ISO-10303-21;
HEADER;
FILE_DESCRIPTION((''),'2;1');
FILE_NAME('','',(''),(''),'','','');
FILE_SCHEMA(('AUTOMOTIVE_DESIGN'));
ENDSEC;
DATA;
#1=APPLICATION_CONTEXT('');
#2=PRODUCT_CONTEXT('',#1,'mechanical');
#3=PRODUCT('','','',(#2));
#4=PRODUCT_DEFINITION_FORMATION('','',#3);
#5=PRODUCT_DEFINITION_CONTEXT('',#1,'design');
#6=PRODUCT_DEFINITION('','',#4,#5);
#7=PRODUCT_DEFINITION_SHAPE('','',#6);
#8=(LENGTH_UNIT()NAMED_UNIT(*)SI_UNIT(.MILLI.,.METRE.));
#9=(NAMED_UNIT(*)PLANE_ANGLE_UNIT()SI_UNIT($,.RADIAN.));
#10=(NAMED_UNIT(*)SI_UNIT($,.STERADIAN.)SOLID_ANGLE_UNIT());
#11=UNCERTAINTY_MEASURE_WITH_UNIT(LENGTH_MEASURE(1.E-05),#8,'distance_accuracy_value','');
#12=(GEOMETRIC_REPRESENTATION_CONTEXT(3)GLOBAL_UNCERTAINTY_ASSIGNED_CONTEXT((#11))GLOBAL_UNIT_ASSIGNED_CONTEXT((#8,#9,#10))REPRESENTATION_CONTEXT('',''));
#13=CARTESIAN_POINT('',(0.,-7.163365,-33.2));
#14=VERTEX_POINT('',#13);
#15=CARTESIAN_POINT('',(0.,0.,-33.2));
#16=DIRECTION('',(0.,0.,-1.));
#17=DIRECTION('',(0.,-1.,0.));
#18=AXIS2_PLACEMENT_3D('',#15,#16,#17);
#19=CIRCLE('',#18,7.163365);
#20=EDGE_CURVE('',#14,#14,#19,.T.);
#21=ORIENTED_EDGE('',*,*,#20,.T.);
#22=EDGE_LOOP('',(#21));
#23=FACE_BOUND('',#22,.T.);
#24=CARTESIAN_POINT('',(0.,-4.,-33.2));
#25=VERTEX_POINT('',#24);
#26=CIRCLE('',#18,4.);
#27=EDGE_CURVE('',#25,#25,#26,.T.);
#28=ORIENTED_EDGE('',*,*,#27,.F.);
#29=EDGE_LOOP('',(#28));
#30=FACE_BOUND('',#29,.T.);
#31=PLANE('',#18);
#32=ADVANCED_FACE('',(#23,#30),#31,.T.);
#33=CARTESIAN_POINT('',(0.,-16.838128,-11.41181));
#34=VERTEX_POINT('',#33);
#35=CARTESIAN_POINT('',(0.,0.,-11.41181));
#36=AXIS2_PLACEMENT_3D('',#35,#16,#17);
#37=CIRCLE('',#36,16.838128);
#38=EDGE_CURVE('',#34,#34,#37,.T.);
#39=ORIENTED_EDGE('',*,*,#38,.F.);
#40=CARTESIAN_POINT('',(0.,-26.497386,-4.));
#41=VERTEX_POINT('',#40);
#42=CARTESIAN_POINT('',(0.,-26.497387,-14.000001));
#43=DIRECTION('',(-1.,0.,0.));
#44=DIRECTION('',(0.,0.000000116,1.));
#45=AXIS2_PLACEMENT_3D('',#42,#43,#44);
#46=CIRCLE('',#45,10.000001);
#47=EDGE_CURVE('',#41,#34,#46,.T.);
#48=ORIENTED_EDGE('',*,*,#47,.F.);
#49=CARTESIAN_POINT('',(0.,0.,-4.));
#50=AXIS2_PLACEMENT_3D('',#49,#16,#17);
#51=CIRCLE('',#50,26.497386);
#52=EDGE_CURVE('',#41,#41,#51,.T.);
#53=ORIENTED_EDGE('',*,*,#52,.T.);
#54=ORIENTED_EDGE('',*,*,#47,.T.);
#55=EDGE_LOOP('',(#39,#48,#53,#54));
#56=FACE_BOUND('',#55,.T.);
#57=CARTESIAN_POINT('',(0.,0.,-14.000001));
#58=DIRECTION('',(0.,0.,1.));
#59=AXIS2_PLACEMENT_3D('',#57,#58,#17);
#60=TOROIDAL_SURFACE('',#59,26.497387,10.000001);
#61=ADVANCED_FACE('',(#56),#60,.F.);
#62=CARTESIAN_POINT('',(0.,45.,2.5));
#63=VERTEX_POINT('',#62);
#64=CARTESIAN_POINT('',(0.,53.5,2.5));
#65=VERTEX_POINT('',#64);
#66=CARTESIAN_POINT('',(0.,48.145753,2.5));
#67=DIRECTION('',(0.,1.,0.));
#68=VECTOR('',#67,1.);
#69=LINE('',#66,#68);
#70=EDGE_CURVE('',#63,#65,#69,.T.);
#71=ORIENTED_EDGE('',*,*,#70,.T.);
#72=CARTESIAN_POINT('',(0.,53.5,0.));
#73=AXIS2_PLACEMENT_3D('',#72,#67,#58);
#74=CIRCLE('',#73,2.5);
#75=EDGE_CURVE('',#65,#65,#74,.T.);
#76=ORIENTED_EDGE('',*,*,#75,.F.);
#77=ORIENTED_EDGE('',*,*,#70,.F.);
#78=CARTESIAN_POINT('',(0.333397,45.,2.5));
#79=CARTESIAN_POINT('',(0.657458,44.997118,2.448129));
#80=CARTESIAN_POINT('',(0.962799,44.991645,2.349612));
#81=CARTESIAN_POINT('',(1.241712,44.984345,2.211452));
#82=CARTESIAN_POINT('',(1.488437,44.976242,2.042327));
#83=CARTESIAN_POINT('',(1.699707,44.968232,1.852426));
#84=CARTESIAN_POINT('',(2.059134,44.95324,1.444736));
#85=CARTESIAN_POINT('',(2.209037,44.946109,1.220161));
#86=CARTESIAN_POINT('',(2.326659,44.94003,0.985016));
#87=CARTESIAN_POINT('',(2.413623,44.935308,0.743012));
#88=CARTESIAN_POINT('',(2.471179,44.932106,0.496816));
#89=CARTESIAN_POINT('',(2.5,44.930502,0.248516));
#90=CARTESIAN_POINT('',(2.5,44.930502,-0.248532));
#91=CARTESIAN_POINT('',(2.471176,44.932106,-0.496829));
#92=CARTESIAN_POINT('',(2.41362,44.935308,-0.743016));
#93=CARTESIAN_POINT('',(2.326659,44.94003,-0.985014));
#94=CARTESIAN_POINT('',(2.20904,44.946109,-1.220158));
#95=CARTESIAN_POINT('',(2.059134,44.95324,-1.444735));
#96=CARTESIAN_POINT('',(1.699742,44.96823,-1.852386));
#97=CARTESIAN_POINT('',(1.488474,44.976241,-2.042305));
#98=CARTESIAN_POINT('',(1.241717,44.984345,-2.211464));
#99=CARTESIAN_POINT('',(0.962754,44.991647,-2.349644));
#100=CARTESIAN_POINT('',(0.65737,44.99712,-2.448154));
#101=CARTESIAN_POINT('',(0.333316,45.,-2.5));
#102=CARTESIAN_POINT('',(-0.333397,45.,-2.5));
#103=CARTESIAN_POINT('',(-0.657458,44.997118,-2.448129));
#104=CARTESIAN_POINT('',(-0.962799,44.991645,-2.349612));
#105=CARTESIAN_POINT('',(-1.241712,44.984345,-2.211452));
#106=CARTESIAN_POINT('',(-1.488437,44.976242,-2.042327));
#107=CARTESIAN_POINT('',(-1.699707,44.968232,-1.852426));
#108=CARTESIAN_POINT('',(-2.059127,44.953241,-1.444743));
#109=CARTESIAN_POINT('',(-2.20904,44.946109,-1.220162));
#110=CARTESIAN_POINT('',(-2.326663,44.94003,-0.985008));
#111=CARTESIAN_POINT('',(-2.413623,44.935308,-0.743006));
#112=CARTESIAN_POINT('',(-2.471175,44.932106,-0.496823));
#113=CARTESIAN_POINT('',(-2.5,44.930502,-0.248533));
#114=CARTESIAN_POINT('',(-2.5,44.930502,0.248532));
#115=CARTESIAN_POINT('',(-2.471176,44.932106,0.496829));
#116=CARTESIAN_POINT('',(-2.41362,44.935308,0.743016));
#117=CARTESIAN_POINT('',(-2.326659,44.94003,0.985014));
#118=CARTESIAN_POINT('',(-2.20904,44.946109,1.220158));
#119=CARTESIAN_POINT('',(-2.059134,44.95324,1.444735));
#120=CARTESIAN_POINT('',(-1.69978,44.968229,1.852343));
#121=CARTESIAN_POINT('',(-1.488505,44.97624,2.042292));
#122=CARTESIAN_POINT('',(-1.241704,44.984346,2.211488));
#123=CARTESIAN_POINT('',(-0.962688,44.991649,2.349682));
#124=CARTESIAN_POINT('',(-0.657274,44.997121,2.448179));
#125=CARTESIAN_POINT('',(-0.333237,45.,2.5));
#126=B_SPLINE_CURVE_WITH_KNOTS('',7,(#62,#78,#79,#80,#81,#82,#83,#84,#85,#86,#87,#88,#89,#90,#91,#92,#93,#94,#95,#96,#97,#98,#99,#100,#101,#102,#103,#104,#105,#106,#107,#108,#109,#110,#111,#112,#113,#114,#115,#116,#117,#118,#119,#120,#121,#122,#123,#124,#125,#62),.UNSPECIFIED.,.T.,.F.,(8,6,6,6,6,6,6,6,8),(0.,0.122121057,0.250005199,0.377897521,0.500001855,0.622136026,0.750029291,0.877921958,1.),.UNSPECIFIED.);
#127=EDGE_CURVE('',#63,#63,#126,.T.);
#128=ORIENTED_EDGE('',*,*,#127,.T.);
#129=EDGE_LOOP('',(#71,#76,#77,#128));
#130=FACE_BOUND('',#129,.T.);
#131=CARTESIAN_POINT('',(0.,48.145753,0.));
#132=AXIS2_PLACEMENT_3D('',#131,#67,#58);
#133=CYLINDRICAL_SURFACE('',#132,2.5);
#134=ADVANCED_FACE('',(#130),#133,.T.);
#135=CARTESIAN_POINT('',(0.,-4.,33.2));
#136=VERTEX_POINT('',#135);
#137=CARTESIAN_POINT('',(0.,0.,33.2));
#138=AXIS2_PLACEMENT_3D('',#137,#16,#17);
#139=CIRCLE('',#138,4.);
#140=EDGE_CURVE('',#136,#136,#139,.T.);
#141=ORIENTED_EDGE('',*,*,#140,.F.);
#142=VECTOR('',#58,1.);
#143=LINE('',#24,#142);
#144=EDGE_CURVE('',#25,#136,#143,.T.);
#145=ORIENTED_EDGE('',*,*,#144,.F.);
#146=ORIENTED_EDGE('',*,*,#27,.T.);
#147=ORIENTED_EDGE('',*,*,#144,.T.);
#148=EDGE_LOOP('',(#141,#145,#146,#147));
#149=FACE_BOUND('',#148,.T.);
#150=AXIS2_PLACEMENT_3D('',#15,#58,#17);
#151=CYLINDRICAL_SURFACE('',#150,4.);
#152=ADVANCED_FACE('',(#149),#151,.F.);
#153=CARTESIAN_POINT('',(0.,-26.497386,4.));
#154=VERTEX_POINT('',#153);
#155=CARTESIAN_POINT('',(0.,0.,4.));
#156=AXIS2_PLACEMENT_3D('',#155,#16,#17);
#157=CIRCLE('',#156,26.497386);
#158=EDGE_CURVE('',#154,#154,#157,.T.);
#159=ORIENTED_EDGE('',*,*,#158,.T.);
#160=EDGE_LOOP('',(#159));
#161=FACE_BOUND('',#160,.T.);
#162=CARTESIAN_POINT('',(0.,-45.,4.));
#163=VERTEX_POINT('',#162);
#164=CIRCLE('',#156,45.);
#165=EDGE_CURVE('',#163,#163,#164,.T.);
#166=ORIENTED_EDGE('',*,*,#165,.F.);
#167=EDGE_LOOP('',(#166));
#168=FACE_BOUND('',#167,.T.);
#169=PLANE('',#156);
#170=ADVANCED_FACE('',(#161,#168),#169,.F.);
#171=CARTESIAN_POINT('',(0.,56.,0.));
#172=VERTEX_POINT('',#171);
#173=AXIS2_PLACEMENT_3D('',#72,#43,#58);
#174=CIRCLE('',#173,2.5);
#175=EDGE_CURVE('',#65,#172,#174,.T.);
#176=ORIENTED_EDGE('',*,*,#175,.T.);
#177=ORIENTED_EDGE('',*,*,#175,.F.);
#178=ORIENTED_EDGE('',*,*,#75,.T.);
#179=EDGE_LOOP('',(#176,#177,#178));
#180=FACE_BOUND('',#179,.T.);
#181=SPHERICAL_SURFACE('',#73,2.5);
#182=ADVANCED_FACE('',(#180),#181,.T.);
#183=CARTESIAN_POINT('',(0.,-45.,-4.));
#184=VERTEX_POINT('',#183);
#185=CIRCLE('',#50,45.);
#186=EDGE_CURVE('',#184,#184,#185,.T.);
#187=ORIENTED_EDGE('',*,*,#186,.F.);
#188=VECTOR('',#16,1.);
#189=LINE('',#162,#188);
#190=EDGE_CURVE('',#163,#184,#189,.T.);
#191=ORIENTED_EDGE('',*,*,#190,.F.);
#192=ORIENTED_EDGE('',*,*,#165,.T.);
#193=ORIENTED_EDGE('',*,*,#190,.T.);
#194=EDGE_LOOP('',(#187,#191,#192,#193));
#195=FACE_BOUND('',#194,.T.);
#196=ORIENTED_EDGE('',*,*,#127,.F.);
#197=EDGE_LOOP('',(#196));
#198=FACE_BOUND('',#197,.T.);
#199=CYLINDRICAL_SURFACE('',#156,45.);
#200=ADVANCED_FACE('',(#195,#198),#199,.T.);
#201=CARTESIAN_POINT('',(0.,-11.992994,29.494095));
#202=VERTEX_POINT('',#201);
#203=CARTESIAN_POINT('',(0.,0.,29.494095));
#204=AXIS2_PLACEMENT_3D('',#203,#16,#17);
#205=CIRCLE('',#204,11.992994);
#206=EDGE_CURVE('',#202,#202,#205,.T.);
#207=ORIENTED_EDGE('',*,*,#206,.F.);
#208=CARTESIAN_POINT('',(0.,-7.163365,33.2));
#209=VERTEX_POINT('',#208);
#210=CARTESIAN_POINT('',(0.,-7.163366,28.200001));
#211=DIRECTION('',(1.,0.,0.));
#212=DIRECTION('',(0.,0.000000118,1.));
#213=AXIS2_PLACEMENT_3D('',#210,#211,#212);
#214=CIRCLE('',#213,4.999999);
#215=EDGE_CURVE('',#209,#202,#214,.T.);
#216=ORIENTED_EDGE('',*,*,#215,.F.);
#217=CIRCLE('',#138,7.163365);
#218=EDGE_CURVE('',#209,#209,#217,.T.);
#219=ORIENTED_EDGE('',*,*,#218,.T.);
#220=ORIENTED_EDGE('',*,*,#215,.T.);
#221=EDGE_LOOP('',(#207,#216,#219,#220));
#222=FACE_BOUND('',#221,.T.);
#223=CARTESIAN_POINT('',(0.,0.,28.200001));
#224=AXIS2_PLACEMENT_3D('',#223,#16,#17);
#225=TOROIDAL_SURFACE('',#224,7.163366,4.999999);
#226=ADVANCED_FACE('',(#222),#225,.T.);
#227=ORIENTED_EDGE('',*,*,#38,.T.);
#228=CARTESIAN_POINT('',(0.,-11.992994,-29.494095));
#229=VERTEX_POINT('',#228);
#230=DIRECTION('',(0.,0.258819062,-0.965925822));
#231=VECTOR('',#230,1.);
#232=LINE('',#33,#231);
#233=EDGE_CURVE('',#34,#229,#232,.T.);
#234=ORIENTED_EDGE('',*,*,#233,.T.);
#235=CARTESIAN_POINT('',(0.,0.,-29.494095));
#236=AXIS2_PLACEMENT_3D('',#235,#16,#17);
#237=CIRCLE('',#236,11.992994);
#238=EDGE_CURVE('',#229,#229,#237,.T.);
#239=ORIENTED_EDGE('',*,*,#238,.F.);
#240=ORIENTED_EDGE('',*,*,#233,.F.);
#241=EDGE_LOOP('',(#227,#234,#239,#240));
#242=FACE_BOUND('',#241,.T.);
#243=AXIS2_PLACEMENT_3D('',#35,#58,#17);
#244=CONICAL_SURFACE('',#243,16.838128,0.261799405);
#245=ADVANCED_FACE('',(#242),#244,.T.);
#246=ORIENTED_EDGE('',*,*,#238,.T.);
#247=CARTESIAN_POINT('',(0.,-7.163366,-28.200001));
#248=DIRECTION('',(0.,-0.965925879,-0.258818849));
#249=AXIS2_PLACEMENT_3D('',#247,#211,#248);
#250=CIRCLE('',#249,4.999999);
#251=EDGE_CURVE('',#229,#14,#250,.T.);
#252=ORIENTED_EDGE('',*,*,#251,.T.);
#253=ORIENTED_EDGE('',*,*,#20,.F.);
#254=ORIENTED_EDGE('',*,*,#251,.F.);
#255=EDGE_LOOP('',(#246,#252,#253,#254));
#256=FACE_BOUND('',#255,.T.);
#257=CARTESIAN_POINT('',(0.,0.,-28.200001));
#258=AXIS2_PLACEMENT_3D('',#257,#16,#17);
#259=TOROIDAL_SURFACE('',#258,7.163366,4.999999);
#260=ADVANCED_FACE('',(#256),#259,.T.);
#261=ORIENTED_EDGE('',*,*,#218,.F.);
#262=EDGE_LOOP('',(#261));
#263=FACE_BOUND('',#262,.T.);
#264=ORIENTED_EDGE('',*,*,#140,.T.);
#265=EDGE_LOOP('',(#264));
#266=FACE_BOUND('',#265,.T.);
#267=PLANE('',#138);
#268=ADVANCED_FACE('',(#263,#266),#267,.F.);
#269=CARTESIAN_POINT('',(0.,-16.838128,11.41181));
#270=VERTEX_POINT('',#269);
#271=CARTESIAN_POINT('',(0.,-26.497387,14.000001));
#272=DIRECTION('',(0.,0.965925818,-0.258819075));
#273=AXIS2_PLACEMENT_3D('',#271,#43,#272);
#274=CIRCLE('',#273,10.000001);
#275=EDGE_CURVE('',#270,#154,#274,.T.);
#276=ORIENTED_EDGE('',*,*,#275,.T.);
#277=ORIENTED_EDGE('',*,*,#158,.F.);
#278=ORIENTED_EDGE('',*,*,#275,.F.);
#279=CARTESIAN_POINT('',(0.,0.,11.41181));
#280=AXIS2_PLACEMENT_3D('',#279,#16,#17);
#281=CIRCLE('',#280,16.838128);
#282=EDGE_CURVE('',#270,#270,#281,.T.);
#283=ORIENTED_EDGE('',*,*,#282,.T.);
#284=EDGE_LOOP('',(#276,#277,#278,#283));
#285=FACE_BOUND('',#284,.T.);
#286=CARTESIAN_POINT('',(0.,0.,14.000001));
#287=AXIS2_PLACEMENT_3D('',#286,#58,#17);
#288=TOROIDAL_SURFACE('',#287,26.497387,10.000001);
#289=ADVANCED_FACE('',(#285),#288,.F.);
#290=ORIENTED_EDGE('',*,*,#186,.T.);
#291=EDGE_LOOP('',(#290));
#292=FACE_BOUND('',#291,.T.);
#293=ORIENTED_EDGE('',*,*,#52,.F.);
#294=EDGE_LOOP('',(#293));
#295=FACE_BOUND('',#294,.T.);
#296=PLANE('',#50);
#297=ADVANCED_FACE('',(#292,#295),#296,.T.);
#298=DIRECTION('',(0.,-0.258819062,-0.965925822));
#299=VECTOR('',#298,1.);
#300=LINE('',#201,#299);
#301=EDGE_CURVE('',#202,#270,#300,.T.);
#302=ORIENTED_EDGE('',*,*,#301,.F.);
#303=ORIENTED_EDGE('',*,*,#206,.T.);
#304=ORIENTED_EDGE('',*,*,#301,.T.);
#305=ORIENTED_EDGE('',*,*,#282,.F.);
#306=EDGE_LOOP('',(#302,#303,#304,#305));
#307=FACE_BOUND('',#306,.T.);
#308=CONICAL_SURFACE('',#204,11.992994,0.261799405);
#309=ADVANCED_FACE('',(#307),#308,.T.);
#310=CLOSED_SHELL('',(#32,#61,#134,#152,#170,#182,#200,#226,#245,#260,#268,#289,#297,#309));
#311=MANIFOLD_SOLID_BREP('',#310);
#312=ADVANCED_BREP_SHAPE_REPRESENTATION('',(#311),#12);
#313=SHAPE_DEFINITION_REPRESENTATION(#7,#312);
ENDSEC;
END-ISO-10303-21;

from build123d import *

# Parameters (mm, degrees)
F2_W = 15.708493
F2_H = 2.5
F4_R = 2.5


with BuildPart() as f1:
    # F0 (on Right) → F1 (revolve)
    with BuildSketch(Plane.YZ):
        with BuildLine():
            Line((-45, 4), (-45, 0))
            Line((-45, 0), (-45, -4))
            Line((-45, -4), (-26.497386, -4))
            ThreePointArc((-26.497386, -4), (-20.409772, -6.066467), (-16.838128, -11.41181))
            Line((-16.838128, -11.41181), (-11.992994, -29.494095))
            ThreePointArc((-11.992994, -29.494095), (-10.207172, -32.166767), (-7.163365, -33.2))
            Line((-7.163365, -33.2), (-4, -33.2))
            Line((-4, -33.2), (-4, 33.2))
            Line((-4, 33.2), (-7.163365, 33.2))
            ThreePointArc((-7.163365, 33.2), (-10.207172, 32.166767), (-11.992994, 29.494095))
            Line((-11.992994, 29.494095), (-16.838128, 11.41181))
            ThreePointArc((-16.838128, 11.41181), (-20.409772, 6.066467), (-26.497386, 4))
            Line((-26.497386, 4), (-45, 4))
        make_face()
    revolve(axis=Axis((0, 0, 0.106538), (0, 0, -1)))

    # F2 (on Right) → F3 (revolve)
    with BuildSketch(Plane.YZ):
        with Locations((48.145753, 1.25)):
            Rectangle(F2_W, F2_H)
    revolve(axis=Axis((0, 48.145753, 0), (0, 1, 0)))

    # F4
    f4_edges = [f1.edges().sort_by_distance(p)[0] for p in [
        (0, 56, -2.5),
    ]]
    fillet(f4_edges, radius=F4_R)


solid = f1.part
